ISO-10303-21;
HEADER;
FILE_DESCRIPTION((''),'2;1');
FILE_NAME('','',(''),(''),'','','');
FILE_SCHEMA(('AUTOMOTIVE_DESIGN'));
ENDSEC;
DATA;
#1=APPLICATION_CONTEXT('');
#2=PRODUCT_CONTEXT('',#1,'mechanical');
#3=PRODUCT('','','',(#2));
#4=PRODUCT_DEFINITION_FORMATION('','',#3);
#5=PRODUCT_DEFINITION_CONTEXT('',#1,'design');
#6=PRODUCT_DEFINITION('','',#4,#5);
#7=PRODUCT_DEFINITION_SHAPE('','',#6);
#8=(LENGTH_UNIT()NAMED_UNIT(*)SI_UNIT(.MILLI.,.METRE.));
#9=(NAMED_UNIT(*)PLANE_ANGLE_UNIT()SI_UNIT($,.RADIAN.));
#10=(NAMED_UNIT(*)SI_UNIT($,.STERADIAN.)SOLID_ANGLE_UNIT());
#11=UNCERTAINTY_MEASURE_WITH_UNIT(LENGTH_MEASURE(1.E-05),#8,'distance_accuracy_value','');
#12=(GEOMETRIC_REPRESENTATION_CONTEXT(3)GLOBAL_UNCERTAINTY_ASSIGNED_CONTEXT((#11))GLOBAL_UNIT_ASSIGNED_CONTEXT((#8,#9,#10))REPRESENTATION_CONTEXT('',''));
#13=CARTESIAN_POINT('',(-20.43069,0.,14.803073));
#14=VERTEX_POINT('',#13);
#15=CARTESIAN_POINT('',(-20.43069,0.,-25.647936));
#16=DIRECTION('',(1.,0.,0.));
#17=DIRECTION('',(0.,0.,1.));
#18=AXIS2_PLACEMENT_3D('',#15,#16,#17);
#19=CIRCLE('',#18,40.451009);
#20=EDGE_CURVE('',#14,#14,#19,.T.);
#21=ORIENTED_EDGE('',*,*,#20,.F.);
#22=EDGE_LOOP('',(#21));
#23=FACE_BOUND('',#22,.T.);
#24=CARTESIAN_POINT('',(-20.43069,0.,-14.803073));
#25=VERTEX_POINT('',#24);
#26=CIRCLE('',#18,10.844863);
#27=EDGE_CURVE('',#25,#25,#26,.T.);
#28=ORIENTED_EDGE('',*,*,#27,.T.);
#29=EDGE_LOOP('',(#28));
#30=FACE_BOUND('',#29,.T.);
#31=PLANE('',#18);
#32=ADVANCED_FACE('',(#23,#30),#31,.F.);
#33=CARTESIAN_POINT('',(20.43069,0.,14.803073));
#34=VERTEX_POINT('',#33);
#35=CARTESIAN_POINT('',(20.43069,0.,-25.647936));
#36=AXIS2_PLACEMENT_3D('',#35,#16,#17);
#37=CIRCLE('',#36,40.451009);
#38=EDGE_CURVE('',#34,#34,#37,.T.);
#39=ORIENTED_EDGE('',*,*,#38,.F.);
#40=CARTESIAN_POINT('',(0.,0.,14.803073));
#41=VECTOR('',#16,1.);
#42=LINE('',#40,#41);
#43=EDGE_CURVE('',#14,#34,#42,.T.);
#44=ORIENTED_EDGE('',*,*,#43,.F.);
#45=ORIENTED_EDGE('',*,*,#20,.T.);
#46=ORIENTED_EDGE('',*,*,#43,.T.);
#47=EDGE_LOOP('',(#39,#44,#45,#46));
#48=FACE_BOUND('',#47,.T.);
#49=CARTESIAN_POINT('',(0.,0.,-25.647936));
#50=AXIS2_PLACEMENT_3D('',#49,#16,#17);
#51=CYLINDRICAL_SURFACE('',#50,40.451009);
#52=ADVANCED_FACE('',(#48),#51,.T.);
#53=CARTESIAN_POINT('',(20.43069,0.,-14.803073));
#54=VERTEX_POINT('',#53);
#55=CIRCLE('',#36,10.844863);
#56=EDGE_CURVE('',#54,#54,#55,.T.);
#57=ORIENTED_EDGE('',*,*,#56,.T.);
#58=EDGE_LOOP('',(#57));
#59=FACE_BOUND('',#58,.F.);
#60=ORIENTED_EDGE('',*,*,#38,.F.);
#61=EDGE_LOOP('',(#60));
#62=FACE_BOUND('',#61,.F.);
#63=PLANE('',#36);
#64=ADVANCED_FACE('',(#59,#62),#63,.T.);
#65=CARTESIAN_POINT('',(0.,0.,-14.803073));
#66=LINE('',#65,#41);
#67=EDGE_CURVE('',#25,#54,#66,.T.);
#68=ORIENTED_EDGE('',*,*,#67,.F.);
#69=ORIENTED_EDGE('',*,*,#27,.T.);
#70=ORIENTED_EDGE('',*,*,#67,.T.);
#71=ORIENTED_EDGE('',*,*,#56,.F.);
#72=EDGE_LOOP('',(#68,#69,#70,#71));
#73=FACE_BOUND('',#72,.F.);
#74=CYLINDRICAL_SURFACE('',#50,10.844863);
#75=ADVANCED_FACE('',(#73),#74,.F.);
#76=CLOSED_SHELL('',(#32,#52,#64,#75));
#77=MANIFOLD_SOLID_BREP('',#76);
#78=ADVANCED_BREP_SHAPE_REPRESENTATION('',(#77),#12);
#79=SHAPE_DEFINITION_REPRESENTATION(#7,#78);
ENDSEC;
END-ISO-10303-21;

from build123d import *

# Parameters (mm, degrees)
F0_W = 40.86138
F0_H = 29.606146


with BuildPart() as f1:
    # F0 (on Front) → F1 (revolve)
    with BuildSketch(Plane.XZ):
        Rectangle(F0_W, F0_H)
    revolve(axis=Axis((5.057341, 0, -25.647936), (1, 0, 0)))


solid = f1.part
